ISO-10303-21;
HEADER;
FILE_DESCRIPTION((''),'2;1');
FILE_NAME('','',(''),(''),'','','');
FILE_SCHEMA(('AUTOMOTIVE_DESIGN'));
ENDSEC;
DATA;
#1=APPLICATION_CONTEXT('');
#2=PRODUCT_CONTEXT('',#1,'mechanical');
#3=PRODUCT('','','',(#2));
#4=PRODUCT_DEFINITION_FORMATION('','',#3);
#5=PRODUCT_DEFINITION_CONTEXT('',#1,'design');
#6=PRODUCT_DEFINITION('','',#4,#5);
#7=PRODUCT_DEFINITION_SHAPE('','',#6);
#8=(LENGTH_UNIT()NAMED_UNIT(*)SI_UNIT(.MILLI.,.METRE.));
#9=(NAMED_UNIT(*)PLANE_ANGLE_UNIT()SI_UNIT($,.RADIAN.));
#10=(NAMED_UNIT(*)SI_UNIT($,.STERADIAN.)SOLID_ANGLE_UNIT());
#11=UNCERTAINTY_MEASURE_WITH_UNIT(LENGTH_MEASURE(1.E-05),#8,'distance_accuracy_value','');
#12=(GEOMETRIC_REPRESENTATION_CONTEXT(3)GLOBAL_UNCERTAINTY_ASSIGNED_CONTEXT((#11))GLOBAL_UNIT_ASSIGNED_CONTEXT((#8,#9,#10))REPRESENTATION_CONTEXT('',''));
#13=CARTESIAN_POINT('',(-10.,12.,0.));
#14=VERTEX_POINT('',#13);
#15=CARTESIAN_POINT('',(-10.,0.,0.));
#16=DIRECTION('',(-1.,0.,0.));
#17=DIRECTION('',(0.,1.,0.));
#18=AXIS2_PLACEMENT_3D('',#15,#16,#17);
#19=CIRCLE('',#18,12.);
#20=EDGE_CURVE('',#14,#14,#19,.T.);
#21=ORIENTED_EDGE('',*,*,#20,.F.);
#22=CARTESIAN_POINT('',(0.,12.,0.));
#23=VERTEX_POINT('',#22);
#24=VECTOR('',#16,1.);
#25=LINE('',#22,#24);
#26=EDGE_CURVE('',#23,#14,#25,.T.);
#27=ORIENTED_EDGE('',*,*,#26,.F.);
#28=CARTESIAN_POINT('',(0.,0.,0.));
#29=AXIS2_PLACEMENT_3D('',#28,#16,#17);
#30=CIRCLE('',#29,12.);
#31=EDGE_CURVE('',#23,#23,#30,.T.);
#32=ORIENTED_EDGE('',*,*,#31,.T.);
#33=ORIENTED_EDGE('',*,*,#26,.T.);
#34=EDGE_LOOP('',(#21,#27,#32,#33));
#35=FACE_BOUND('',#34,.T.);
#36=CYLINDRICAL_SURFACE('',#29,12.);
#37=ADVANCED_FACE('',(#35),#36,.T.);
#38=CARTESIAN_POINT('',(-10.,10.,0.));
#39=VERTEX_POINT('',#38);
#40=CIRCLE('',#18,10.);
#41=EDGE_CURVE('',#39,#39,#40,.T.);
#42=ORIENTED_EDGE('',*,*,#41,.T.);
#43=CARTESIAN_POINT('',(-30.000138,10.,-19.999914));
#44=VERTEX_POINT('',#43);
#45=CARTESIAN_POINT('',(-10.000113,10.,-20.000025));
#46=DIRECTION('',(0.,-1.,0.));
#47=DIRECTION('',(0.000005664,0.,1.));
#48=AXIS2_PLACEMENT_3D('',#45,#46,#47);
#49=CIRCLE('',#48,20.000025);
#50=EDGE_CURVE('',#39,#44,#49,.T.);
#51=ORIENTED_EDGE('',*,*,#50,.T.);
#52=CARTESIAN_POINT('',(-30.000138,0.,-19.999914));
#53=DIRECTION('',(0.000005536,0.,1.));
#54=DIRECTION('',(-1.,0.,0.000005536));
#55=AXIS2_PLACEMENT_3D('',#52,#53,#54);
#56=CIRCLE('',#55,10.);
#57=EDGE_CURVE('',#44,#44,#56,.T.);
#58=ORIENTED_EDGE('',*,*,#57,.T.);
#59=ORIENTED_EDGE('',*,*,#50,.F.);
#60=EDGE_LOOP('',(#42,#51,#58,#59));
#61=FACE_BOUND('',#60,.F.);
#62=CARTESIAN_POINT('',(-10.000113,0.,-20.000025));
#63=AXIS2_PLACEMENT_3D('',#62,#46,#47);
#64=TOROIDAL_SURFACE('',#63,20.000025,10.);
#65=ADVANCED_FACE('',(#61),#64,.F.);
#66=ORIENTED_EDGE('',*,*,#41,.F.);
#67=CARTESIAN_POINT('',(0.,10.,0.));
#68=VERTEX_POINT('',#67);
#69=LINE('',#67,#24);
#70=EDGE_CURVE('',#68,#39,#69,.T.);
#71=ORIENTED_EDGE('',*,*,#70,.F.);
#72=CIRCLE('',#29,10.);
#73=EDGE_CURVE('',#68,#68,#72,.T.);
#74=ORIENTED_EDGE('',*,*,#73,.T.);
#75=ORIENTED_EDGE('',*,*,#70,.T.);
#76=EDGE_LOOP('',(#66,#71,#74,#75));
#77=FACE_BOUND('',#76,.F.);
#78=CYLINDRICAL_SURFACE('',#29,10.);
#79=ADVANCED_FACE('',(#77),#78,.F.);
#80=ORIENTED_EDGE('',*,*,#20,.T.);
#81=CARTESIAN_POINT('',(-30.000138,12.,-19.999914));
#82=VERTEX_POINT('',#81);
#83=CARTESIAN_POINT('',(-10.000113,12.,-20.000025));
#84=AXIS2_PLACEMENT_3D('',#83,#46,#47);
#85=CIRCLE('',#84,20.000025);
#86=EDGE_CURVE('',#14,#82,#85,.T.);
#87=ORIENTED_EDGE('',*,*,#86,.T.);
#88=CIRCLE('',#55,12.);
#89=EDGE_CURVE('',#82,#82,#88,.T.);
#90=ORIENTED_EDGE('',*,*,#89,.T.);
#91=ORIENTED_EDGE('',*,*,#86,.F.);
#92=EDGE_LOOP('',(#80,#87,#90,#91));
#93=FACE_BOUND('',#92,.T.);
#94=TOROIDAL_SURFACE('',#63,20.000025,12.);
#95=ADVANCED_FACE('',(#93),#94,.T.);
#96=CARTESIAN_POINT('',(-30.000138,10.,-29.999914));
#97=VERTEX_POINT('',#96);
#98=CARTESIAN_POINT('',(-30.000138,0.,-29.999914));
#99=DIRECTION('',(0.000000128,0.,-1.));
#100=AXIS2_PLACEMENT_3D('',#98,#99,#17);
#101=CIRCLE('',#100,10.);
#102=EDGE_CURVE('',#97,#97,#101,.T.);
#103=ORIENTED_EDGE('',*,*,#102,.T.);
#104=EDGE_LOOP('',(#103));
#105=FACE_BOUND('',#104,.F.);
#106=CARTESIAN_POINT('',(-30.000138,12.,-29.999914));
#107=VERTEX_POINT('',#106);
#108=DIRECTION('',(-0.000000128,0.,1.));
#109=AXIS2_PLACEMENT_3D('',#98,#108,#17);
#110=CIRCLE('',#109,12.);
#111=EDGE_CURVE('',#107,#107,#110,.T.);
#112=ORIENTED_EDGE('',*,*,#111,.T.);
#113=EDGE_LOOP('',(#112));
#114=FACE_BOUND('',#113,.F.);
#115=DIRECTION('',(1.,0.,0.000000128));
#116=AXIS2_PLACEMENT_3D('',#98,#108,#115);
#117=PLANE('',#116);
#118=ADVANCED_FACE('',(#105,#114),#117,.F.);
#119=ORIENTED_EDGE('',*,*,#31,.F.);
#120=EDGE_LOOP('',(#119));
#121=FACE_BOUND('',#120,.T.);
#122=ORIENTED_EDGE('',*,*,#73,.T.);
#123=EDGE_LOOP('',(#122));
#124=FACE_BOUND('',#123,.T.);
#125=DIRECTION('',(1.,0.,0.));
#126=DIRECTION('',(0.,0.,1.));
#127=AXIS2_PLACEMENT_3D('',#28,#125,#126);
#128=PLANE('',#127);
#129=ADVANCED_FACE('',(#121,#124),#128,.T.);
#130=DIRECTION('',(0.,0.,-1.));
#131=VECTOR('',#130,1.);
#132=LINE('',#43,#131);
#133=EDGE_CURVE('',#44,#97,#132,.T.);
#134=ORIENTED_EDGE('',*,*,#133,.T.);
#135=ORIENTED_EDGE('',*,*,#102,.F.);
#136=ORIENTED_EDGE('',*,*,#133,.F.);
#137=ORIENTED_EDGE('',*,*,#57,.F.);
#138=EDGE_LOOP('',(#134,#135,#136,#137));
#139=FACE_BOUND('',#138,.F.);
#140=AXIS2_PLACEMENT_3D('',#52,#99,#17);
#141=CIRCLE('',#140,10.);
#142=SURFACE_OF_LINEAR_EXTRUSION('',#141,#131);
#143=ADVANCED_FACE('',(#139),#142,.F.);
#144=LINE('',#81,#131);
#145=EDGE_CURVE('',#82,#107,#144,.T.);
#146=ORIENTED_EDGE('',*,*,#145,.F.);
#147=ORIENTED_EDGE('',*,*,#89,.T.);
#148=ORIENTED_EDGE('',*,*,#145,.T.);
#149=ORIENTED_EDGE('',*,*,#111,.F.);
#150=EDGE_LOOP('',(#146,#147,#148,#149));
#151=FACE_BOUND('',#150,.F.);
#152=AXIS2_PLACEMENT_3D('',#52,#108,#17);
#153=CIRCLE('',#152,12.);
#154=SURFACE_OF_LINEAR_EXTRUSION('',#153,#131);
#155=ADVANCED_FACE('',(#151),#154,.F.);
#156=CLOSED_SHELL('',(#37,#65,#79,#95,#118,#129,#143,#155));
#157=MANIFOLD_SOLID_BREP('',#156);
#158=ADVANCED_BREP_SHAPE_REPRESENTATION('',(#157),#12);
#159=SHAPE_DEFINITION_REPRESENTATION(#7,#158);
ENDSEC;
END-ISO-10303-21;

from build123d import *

# Parameters (mm, degrees)
F1_R   = 12
F1_R_2 = 10


with BuildPart() as f2:
    # F2: sweep along a path in F0
    with BuildLine(Plane.XZ) as f2_path:
        Line((-0.000112, -2.6e-05), (-10.000112, -2.6e-05))
        ThreePointArc((-10.000112, -2.6e-05), (-24.142248, -5.85789), (-30.000112, -20.000026))
        Line((-30.000112, -20.000026), (-30.000112, -30.000026))
    # F1 (on Right) → F2 (sweep)
    with BuildSketch(Plane.YZ):
        Circle(F1_R)
        Circle(F1_R_2, mode=Mode.SUBTRACT)
    sweep(path=f2_path.line)


solid = f2.part
